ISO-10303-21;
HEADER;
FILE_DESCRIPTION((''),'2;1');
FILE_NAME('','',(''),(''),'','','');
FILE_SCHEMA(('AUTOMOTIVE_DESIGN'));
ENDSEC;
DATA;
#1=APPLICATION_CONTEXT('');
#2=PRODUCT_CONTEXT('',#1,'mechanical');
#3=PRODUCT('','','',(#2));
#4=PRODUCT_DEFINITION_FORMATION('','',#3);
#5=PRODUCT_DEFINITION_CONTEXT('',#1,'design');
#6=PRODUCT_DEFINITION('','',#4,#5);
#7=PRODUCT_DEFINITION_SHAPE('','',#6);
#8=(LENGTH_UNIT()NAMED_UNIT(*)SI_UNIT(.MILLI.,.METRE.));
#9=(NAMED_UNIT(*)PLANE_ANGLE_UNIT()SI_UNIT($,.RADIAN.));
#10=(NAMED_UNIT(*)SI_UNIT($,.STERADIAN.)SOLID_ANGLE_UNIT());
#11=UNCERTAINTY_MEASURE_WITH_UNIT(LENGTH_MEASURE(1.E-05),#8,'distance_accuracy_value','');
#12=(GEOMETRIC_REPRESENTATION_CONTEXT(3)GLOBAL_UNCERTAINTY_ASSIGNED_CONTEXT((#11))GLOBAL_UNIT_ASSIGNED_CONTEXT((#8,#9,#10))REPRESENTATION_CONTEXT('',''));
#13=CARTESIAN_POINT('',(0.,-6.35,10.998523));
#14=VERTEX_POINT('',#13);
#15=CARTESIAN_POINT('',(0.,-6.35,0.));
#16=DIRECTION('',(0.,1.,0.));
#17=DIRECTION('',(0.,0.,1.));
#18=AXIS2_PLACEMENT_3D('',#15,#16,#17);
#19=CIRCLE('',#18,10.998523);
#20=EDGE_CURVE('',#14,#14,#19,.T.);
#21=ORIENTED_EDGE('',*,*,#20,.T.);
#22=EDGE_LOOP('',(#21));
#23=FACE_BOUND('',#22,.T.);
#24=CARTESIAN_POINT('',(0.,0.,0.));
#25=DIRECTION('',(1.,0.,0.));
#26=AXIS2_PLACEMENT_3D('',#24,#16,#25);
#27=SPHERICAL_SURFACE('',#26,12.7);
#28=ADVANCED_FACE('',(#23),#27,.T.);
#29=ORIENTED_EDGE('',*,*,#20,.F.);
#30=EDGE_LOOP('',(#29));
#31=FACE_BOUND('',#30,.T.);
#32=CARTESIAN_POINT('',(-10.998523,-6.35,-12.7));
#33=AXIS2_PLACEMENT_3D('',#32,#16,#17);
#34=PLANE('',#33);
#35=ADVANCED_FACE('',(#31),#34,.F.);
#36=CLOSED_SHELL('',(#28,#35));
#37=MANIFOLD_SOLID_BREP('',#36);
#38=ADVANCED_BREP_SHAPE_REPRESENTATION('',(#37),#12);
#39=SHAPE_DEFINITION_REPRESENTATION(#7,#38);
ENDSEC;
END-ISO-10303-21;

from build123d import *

# Parameters (mm, degrees)
TRUNCATED_BALL_DEPTH      = 13.7
TRUNCATED_BALL_DEPTH_BACK = 13.7


with BuildPart() as part:
    # Sketch1 → Complete_Ball (revolve)
    with BuildSketch(Plane.XY):
        with BuildLine():
            Line((0, 12.7), (0, -12.7))
            ThreePointArc((0, -12.7), (12.7, 0), (0, 12.7))
        make_face()
    revolve(axis=Axis((0, 13.6525, 0), (0, -1, 0)))

    # Sketch2 → Truncated_ball (cut, two sides)
    with BuildSketch(Plane.XY) as truncated_ball_sk:
        with BuildLine():
            Line((-10.998522628, -6.35), (10.998522628, -6.35))
            ThreePointArc((10.998522628, -6.35), (0, -12.7), (-10.998522628, -6.35))
        make_face()
    extrude(amount=TRUNCATED_BALL_DEPTH, mode=Mode.SUBTRACT)
    extrude(truncated_ball_sk.sketch, amount=-TRUNCATED_BALL_DEPTH_BACK, mode=Mode.SUBTRACT)


solid = part.part
